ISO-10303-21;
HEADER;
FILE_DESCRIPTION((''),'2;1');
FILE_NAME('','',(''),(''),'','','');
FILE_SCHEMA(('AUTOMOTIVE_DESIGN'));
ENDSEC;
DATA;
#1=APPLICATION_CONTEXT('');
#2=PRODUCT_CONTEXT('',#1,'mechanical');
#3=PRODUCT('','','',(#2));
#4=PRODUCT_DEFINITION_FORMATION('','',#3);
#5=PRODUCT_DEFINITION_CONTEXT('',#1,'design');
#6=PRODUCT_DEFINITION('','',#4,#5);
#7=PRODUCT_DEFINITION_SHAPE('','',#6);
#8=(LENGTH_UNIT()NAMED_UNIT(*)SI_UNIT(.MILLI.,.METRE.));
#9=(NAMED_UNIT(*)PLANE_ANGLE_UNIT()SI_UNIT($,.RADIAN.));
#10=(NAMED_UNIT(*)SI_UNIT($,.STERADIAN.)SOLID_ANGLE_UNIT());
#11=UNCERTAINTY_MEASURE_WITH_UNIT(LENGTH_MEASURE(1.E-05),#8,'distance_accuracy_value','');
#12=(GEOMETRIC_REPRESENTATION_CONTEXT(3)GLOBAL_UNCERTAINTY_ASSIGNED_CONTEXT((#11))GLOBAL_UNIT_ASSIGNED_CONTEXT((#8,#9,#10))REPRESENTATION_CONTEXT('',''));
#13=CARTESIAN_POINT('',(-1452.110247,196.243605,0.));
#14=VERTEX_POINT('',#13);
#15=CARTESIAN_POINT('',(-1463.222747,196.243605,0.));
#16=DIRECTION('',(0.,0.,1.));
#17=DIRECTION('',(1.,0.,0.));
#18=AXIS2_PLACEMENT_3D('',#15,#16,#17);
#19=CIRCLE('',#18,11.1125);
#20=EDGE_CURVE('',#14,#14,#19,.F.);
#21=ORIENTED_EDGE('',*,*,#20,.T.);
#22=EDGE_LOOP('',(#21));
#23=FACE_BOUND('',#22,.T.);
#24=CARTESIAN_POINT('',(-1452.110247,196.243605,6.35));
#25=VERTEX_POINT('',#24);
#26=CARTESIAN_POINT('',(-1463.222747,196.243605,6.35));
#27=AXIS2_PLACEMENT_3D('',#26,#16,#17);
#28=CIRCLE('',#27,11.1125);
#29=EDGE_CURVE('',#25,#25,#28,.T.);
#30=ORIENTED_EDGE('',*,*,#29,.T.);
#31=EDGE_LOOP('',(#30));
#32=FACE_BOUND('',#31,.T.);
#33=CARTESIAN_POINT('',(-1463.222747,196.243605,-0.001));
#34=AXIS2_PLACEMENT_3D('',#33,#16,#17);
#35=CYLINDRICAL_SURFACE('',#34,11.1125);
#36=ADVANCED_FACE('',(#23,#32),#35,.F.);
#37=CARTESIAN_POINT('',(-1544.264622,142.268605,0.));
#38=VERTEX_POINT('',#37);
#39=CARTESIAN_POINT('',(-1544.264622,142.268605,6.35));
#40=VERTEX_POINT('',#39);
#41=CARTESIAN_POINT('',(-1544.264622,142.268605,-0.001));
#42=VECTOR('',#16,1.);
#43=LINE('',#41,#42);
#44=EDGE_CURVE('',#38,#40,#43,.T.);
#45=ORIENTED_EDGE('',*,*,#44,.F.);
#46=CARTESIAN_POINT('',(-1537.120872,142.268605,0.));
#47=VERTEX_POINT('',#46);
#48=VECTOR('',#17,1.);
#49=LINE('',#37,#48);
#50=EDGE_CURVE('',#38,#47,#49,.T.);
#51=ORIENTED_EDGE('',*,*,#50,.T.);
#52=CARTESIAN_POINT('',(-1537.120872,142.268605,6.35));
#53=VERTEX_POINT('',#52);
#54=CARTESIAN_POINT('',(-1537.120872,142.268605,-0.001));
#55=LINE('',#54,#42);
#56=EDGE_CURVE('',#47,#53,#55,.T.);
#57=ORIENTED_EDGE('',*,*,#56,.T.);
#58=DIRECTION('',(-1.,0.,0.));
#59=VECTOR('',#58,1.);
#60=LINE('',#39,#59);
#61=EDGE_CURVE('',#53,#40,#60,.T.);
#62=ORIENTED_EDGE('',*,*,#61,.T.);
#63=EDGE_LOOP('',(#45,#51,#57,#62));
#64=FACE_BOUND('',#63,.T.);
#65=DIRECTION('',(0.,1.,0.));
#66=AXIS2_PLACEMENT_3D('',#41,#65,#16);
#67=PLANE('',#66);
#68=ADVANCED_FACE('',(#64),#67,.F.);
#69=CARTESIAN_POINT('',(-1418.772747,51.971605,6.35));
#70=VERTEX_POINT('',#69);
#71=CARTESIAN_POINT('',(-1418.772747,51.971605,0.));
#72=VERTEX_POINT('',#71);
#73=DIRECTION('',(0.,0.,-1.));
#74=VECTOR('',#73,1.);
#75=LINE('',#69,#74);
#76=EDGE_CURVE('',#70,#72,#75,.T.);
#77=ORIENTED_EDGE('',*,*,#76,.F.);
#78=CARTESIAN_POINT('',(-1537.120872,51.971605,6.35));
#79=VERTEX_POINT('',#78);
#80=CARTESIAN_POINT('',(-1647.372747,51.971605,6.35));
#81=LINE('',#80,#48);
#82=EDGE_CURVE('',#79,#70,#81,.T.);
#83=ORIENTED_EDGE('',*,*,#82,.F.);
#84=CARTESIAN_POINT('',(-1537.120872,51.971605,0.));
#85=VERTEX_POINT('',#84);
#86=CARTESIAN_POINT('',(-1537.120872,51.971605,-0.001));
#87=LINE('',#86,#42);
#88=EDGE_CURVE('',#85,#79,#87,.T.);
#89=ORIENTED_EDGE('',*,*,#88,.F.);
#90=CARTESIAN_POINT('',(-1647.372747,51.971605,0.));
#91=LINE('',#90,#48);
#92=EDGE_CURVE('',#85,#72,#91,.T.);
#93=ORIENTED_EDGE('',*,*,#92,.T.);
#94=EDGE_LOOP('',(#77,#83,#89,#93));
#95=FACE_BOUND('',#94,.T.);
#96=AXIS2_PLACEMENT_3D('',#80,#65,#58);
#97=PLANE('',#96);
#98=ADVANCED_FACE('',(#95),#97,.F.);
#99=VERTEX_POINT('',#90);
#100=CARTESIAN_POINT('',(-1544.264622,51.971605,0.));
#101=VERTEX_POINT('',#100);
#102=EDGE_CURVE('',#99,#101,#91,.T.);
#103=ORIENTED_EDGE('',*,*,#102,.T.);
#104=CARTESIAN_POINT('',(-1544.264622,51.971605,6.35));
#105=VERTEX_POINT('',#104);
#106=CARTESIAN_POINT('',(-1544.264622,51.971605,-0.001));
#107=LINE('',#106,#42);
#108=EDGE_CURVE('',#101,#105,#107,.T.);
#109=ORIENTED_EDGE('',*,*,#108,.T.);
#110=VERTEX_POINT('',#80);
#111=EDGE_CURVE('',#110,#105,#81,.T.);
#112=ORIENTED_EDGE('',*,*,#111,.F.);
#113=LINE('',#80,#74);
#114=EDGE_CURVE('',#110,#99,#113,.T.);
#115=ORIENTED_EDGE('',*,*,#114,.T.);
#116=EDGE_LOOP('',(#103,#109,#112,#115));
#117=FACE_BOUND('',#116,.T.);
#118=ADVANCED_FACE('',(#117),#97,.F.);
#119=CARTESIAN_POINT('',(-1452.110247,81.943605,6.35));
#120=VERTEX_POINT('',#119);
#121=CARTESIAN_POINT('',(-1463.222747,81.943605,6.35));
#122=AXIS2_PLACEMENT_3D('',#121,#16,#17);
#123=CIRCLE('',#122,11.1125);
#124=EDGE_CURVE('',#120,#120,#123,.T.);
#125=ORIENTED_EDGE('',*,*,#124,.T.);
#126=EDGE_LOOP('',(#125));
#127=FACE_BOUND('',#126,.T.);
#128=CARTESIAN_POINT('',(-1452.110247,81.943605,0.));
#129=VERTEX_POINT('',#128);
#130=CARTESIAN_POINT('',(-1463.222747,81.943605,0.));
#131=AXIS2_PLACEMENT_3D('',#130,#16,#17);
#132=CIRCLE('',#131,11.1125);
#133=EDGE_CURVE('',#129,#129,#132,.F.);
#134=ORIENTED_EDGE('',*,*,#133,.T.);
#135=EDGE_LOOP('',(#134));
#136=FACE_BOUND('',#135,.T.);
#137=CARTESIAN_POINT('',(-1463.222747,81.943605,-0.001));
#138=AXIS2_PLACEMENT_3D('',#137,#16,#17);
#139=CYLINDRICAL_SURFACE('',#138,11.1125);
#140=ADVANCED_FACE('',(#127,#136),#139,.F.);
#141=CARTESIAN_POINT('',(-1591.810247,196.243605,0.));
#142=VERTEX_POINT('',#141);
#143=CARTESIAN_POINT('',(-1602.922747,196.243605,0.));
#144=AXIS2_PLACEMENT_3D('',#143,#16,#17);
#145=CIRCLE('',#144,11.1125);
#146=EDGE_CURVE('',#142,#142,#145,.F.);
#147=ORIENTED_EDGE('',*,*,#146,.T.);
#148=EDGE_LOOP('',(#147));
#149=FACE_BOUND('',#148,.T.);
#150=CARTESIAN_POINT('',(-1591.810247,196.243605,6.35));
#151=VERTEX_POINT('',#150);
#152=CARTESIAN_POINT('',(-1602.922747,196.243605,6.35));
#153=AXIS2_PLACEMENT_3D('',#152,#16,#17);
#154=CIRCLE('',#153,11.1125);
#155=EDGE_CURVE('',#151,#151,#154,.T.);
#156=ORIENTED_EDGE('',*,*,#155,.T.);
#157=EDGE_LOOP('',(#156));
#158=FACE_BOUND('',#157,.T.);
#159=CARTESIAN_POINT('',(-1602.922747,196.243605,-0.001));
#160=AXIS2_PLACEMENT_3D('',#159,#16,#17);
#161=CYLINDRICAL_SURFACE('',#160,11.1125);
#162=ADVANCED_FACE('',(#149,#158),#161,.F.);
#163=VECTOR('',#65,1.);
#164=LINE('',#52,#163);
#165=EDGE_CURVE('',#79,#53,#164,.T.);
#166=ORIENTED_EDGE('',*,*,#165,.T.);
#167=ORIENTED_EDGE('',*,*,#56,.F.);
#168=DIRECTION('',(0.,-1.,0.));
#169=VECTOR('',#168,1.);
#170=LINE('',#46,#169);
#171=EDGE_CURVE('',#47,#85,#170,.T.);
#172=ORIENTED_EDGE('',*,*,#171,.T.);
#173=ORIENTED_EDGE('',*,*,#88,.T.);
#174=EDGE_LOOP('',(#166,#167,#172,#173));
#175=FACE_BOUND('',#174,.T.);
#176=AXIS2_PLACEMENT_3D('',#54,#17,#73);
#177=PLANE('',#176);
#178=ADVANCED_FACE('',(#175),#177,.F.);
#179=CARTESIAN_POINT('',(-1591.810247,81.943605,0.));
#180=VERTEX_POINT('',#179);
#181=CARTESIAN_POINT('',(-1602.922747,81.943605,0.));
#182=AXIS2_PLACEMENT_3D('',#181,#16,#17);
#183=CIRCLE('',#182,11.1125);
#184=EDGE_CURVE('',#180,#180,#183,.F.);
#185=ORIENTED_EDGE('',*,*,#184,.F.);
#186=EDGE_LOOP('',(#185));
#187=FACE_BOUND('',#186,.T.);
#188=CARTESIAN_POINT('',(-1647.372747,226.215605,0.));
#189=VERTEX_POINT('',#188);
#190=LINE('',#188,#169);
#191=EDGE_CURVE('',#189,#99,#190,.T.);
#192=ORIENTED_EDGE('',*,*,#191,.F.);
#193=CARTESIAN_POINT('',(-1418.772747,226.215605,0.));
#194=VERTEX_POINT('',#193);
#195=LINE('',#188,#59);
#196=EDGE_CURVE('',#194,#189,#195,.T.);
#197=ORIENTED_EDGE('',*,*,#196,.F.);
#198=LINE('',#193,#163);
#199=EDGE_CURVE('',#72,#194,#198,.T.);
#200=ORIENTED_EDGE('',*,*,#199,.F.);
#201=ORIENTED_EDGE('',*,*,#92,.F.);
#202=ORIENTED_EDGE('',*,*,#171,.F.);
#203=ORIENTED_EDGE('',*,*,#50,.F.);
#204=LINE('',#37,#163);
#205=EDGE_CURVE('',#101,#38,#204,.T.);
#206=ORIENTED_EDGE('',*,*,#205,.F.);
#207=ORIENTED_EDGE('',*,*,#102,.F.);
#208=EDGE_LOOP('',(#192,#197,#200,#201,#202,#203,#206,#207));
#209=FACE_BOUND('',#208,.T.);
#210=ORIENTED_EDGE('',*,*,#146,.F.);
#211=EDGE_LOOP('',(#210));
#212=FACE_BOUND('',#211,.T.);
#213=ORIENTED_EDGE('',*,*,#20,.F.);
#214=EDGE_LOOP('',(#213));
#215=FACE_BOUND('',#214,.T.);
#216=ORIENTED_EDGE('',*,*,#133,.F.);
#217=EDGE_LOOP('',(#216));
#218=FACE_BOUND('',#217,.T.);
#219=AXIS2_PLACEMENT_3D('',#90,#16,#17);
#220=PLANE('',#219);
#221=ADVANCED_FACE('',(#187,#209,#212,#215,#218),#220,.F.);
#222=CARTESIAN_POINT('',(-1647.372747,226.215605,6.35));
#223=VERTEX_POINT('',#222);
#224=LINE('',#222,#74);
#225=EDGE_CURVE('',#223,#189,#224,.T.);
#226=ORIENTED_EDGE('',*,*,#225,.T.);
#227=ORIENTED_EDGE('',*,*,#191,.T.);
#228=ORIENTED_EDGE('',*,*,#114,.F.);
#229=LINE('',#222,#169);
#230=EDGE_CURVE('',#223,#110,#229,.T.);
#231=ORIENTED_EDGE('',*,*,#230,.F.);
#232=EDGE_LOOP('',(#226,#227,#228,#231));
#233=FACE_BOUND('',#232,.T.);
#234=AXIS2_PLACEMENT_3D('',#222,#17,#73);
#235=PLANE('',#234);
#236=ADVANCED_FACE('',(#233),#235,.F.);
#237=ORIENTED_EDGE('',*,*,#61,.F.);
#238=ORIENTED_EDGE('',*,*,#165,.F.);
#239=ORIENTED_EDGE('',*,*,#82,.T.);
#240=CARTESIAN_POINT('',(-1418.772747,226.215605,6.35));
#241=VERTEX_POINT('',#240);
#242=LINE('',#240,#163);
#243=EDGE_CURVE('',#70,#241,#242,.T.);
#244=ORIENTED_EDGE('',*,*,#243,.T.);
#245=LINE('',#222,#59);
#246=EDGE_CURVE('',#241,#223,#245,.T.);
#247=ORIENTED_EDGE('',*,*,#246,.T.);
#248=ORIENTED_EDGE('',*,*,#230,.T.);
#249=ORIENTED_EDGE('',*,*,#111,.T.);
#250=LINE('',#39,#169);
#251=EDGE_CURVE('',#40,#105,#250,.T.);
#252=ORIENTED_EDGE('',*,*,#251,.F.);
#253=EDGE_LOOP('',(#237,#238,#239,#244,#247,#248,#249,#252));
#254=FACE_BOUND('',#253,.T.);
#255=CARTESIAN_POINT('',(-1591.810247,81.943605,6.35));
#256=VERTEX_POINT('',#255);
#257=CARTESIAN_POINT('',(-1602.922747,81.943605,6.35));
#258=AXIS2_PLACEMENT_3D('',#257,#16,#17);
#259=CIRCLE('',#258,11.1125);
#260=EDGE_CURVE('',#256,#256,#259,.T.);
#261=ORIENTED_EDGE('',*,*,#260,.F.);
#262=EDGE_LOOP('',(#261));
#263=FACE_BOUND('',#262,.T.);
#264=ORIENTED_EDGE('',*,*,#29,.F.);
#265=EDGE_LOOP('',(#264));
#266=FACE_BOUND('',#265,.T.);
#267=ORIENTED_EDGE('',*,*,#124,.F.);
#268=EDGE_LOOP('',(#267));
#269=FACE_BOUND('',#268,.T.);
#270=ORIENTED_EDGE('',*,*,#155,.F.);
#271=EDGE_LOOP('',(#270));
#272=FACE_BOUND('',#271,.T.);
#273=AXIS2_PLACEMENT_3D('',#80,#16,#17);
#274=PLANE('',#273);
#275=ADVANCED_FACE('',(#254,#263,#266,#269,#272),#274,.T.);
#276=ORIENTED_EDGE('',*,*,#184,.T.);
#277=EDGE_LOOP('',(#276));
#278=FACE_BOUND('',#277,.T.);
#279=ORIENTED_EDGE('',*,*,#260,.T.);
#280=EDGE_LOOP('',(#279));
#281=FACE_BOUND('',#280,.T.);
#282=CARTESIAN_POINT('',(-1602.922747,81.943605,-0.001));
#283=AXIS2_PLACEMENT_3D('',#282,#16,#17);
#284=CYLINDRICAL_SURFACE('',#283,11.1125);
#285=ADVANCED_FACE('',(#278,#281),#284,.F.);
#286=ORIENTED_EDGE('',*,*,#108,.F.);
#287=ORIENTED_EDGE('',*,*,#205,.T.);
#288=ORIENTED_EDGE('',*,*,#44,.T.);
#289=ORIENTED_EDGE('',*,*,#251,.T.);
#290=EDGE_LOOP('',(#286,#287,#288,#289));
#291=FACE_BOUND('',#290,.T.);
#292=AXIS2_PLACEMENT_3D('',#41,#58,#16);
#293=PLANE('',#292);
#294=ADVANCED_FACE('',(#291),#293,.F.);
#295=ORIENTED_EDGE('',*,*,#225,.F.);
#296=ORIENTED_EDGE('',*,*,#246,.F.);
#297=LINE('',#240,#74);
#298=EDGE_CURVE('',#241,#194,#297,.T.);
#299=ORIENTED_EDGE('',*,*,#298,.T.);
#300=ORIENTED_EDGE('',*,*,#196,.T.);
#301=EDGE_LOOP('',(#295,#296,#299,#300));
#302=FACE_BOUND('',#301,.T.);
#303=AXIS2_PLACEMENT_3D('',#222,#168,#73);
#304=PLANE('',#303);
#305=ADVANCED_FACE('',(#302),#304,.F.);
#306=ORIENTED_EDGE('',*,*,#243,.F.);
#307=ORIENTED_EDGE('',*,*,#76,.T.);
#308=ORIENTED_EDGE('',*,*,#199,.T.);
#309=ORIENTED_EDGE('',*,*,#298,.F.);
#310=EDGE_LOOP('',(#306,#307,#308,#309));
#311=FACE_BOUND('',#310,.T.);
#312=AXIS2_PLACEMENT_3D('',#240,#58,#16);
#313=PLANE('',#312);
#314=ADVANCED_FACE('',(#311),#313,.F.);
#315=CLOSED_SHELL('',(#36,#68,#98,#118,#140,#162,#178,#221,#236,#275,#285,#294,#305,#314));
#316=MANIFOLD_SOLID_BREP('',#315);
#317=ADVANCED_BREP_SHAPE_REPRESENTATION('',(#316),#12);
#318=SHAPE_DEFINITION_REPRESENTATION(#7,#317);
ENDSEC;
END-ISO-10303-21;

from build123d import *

# Parameters (mm, degrees)
SKETCH1_W           = 228.6
SKETCH1_H           = 174.244
BOSS_EXTRUDE1_DEPTH = 6.35
CUT_EXTRUDE1_REACH  = 1664.844
SKETCH2_R           = 11.1125
CUT_EXTRUDE2_REACH  = 1664.844
SKETCH3_W           = 7.14375
SKETCH3_H           = 90.297


with BuildPart() as part:
    # Sketch1 → Boss-Extrude1 (new body)
    with BuildSketch(Plane.XY):
        with Locations((-1533.072746981, 139.093604852)):
            Rectangle(SKETCH1_W, SKETCH1_H)
    extrude(amount=BOSS_EXTRUDE1_DEPTH)

    # Sketch2 → Cut-Extrude1 (cut, up to next)
    with BuildSketch(Plane.XY.offset(6.35), mode=Mode.PRIVATE) as cut_extrude1_sk1:
        with Locations((-1463.222746981, 196.243604852)):
            Circle(SKETCH2_R)
    cut_extrude1_tool1 = extrude(cut_extrude1_sk1.sketch, amount=-CUT_EXTRUDE1_REACH, mode=Mode.PRIVATE) & part.part
    # Sketch2 → Cut-Extrude1 (cut, up to next)
    with BuildSketch(Plane.XY.offset(6.35), mode=Mode.PRIVATE) as cut_extrude1_sk2:
        with Locations((-1463.222746981, 81.943604852)):
            Circle(SKETCH2_R)
    cut_extrude1_tool2 = extrude(cut_extrude1_sk2.sketch, amount=-CUT_EXTRUDE1_REACH, mode=Mode.PRIVATE) & part.part
    # Sketch2 → Cut-Extrude1 (cut, up to next)
    with BuildSketch(Plane.XY.offset(6.35), mode=Mode.PRIVATE) as cut_extrude1_sk3:
        with Locations((-1602.922746981, 196.243604852)):
            Circle(SKETCH2_R)
    cut_extrude1_tool3 = extrude(cut_extrude1_sk3.sketch, amount=-CUT_EXTRUDE1_REACH, mode=Mode.PRIVATE) & part.part
    # Sketch2 → Cut-Extrude1 (cut, up to next)
    with BuildSketch(Plane.XY.offset(6.35), mode=Mode.PRIVATE) as cut_extrude1_sk4:
        with Locations((-1602.922746981, 81.943604852)):
            Circle(SKETCH2_R)
    cut_extrude1_tool4 = extrude(cut_extrude1_sk4.sketch, amount=-CUT_EXTRUDE1_REACH, mode=Mode.PRIVATE) & part.part
    add(cut_extrude1_tool1.solids().sort_by_distance((-1463.222747, 196.243605, 6.35))[0], mode=Mode.SUBTRACT)
    add(cut_extrude1_tool2.solids().sort_by_distance((-1463.222747, 81.943605, 6.35))[0], mode=Mode.SUBTRACT)
    add(cut_extrude1_tool3.solids().sort_by_distance((-1602.922747, 196.243605, 6.35))[0], mode=Mode.SUBTRACT)
    add(cut_extrude1_tool4.solids().sort_by_distance((-1602.922747, 81.943605, 6.35))[0], mode=Mode.SUBTRACT)

    # Sketch3 → Cut-Extrude2 (cut, up to next)
    with BuildSketch(Plane.XY.offset(6.35), mode=Mode.PRIVATE) as cut_extrude2_sk1:
        with Locations((-1540.692746981, 97.120104852)):
            Rectangle(SKETCH3_W, SKETCH3_H)
    cut_extrude2_tool1 = extrude(cut_extrude2_sk1.sketch, amount=-CUT_EXTRUDE2_REACH, mode=Mode.PRIVATE) & part.part
    add(cut_extrude2_tool1.solids().sort_by_distance((-1540.692747, 97.120105, 6.35))[0], mode=Mode.SUBTRACT)


solid = part.part
